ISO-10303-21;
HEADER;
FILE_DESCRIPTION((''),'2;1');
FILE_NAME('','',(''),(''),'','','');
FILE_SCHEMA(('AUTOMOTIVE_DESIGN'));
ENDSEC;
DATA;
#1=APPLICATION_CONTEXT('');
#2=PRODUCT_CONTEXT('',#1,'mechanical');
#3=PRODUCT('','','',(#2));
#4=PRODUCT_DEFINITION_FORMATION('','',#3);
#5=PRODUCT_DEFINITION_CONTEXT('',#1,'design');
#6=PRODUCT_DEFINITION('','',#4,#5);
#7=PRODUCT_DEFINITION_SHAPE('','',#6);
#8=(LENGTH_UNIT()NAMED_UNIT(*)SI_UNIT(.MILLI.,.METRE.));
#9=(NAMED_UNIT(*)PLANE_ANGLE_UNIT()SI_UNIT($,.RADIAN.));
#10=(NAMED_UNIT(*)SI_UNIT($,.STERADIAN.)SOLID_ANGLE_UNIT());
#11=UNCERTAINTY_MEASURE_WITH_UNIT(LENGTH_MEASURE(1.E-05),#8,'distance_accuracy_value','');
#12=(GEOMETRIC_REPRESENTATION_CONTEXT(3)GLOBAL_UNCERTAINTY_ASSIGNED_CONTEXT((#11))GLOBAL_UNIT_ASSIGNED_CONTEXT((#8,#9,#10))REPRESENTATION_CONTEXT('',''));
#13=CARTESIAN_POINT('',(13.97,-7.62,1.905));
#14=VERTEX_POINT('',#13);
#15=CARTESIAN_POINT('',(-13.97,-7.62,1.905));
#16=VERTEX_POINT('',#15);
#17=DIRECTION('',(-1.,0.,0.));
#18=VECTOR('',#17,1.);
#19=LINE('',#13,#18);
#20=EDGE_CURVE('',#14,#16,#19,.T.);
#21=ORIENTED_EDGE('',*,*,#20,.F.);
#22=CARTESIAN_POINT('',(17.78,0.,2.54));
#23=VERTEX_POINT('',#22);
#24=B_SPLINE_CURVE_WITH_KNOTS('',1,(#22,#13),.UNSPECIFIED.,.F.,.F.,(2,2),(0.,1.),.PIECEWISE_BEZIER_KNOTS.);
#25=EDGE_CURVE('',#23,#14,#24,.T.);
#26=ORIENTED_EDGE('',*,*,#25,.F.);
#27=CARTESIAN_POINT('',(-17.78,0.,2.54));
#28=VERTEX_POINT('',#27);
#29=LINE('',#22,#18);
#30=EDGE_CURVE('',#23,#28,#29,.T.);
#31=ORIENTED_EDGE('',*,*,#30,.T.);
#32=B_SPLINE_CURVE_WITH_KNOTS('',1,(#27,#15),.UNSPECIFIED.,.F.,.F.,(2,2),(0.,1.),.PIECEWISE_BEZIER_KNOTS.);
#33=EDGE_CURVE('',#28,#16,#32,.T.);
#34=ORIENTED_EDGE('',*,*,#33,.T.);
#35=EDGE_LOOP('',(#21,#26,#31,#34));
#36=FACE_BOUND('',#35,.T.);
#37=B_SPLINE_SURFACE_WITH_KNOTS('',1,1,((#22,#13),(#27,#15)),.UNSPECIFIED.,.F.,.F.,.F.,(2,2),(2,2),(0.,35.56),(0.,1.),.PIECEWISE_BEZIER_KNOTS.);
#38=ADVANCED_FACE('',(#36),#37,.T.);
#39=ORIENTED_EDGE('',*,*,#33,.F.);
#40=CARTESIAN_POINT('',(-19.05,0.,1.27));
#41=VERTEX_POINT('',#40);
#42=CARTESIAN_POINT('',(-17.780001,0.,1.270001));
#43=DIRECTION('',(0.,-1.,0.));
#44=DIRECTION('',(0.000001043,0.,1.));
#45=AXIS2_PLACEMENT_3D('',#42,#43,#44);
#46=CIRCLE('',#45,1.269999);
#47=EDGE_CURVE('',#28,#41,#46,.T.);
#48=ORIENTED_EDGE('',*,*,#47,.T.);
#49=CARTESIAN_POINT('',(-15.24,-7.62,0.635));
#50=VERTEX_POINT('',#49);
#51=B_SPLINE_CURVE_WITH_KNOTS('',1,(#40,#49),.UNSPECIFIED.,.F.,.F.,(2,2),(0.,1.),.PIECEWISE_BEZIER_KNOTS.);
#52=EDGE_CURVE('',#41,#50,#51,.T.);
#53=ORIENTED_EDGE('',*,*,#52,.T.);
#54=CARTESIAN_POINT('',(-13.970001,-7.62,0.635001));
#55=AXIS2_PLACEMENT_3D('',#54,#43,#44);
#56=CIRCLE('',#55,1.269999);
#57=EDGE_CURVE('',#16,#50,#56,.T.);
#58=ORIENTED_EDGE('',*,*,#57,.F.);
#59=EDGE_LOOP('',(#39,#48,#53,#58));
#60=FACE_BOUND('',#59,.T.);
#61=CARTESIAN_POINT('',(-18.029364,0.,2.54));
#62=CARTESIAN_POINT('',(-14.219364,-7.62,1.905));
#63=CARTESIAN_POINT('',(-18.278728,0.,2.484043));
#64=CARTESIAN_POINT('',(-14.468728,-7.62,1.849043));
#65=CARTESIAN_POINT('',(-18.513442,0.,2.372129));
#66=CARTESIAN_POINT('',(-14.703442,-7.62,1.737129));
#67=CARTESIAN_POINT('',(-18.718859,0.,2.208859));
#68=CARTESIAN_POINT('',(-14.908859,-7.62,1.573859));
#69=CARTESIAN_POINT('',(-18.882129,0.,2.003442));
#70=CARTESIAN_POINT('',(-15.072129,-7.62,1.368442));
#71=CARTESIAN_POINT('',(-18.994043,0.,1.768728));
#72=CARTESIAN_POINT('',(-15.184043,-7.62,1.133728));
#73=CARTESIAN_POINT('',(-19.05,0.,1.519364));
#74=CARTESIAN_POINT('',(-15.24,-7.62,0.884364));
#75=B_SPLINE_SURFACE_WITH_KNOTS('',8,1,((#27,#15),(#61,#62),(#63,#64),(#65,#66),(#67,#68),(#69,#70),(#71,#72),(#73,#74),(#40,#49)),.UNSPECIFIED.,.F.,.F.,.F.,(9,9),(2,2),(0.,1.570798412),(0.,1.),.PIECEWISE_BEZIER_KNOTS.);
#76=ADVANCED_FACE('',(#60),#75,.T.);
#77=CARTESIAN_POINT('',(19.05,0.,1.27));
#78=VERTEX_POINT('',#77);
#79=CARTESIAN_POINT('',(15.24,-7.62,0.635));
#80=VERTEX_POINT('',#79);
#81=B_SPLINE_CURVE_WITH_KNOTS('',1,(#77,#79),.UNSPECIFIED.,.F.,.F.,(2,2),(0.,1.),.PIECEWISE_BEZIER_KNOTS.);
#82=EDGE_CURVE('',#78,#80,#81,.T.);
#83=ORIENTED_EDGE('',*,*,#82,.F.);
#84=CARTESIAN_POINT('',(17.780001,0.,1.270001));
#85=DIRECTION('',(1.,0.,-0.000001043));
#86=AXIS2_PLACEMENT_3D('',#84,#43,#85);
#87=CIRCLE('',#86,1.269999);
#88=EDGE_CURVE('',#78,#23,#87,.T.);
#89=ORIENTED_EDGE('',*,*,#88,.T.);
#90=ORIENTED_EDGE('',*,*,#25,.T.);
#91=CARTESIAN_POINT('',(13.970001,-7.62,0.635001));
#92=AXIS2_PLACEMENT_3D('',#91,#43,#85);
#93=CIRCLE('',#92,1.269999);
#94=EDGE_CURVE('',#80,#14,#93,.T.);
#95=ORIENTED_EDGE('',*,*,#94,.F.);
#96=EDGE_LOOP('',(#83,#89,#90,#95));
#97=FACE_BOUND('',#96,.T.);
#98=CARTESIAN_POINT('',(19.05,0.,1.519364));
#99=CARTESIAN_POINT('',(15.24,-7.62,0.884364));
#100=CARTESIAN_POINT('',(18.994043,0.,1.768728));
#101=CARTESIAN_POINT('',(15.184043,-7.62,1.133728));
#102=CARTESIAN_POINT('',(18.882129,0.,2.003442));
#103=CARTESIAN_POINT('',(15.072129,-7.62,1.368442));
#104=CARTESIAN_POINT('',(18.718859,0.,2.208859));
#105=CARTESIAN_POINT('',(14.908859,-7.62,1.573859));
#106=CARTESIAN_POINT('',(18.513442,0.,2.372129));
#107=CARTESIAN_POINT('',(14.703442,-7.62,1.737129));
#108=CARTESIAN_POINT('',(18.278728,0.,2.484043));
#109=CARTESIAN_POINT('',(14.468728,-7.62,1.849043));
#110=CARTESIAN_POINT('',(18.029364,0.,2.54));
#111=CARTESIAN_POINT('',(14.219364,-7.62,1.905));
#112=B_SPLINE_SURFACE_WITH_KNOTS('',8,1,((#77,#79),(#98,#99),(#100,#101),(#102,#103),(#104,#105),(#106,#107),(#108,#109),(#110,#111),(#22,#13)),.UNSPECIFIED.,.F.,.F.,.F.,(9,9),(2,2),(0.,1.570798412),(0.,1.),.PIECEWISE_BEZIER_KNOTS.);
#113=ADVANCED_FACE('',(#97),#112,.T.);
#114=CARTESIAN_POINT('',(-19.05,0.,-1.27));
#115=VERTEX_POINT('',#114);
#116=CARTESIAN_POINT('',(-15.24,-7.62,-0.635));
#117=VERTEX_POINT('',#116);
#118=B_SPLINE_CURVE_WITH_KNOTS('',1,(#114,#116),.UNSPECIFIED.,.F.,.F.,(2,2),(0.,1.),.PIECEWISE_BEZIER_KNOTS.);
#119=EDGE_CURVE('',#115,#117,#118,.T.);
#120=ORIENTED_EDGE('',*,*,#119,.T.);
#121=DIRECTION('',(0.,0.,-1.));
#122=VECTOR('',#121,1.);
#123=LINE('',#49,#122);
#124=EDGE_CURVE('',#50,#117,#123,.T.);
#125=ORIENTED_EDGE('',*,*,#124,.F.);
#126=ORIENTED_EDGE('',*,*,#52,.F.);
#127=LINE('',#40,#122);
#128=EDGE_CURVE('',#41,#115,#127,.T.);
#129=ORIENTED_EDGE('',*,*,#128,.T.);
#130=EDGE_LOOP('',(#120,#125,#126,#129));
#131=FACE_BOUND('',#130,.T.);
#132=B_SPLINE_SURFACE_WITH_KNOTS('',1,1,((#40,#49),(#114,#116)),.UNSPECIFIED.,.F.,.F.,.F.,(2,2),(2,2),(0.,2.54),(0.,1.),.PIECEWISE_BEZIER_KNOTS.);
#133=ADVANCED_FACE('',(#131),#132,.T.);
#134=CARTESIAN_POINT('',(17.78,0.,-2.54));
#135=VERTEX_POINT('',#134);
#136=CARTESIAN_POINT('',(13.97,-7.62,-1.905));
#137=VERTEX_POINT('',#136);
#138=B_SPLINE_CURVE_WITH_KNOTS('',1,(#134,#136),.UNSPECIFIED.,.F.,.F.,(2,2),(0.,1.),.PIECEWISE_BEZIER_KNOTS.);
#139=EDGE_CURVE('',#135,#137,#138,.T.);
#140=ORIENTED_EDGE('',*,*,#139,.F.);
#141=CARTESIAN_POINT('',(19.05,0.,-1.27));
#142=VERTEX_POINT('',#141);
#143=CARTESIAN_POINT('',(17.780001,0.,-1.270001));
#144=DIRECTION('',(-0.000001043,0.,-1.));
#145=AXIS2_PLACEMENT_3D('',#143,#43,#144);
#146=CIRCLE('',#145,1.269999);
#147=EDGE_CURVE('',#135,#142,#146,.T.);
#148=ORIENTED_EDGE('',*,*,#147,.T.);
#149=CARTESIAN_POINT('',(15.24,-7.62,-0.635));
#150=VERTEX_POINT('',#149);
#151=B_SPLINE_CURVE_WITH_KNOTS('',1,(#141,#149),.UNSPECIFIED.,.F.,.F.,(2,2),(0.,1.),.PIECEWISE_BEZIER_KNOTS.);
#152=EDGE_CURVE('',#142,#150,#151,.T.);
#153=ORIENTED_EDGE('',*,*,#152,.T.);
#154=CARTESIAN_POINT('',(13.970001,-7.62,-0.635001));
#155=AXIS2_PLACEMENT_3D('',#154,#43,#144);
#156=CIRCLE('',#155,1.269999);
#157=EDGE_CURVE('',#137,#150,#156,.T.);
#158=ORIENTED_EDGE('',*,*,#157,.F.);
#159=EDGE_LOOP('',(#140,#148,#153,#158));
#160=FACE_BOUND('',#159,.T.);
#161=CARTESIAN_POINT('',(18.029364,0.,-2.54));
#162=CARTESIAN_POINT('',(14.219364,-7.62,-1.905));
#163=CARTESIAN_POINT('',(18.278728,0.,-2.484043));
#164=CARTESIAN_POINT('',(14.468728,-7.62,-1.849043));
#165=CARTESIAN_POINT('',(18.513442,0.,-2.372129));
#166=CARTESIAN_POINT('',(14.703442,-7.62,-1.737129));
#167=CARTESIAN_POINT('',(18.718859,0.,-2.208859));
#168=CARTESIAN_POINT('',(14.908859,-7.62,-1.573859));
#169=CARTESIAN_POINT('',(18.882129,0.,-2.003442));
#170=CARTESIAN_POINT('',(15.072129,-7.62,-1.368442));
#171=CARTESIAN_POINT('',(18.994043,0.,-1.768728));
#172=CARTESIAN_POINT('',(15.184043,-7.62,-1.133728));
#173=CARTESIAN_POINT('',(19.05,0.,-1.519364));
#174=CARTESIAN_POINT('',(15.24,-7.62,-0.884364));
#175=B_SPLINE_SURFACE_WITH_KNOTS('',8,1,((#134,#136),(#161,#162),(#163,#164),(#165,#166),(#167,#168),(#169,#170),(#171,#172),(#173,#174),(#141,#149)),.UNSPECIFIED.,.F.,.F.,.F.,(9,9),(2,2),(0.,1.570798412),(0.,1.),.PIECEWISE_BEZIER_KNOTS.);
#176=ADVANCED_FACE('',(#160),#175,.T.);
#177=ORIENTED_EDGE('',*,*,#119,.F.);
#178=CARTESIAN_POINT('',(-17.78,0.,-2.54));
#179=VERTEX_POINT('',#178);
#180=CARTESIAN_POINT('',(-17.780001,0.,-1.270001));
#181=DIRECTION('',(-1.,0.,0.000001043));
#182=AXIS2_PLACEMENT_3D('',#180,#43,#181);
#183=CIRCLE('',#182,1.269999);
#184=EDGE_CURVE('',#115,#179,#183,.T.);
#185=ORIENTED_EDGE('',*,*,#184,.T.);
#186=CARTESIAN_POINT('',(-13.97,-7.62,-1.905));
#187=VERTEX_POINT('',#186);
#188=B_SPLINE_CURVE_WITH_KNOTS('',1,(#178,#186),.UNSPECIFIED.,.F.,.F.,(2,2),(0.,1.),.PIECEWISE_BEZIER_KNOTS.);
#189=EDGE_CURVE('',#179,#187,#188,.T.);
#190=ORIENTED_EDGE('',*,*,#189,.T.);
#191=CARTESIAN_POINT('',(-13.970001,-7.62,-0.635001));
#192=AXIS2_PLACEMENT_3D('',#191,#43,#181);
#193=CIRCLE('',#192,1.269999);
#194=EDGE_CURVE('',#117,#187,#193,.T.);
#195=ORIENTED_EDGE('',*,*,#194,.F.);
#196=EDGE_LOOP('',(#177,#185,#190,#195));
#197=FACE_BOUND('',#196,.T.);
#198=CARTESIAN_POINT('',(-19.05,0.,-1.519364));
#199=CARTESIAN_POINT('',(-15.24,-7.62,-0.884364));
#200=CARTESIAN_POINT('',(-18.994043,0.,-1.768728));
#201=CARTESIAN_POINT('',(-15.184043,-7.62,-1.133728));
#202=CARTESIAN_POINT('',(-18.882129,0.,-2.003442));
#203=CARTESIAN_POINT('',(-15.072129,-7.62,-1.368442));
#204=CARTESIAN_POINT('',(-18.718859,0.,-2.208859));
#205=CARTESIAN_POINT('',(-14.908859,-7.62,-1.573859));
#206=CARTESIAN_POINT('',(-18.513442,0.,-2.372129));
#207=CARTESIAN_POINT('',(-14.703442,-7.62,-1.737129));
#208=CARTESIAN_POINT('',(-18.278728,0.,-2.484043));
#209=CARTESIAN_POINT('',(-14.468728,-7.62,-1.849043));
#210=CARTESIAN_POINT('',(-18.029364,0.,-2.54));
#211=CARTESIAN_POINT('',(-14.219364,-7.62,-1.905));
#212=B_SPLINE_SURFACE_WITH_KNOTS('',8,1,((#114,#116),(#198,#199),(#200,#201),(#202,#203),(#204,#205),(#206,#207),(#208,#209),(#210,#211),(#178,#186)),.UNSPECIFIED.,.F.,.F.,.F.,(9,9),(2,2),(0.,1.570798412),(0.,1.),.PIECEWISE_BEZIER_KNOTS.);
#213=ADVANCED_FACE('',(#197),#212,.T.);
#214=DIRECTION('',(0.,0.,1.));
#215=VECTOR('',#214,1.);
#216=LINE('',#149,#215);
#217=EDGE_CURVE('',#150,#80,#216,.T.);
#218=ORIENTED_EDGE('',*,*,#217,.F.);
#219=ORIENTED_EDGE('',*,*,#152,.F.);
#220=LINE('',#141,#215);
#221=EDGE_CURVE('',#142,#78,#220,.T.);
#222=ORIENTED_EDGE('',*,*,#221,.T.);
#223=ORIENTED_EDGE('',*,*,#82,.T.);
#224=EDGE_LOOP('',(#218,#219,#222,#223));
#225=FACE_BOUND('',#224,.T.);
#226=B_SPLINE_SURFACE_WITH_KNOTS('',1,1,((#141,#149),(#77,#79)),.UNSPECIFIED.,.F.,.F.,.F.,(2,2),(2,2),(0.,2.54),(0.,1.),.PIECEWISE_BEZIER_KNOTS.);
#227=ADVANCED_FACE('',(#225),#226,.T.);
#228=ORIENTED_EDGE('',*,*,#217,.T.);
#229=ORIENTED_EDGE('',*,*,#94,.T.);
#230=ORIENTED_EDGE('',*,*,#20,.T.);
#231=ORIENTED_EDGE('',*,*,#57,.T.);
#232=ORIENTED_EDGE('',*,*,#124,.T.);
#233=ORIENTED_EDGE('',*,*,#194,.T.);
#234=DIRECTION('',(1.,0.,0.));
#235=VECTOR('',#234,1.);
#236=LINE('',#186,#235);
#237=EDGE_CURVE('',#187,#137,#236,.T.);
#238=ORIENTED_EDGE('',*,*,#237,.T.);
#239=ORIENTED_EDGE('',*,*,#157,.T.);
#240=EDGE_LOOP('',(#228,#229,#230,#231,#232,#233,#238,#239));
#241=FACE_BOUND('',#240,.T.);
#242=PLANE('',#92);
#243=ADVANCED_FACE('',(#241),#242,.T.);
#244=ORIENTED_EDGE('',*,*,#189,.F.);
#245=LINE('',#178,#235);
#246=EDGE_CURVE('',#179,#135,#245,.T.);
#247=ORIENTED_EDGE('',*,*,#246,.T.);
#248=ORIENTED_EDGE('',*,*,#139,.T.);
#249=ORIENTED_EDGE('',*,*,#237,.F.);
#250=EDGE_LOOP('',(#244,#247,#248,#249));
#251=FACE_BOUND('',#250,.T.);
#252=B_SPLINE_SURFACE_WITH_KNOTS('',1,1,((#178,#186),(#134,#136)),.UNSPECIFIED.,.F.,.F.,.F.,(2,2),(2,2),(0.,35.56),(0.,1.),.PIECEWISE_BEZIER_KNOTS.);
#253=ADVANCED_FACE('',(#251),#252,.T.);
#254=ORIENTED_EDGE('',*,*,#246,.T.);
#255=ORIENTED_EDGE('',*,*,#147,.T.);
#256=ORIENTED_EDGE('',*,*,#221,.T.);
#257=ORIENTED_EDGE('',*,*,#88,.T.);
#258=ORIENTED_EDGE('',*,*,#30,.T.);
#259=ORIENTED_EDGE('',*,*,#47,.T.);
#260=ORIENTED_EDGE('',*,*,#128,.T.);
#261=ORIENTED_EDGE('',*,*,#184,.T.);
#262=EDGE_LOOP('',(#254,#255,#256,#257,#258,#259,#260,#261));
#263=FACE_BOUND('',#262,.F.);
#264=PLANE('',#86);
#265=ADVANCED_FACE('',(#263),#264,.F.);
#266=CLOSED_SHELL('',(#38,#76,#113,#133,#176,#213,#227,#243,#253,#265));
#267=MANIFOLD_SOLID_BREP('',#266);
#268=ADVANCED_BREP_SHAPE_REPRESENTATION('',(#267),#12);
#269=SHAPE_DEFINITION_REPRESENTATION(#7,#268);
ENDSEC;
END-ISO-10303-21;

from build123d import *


with BuildPart() as f3:
    # F0 (on Front) → F3 section 0
    with BuildSketch(Plane.XZ):
        with BuildLine():
            ThreePointArc((19.05, 1.27), (18.678026, 2.168026), (17.78, 2.54))
            Line((17.78, 2.54), (-17.78, 2.54))
            ThreePointArc((-17.78, 2.54), (-18.678026, 2.168026), (-19.05, 1.27))
            Line((-19.05, 1.27), (-19.05, -1.27))
            ThreePointArc((-19.05, -1.27), (-18.678026, -2.168026), (-17.78, -2.54))
            Line((-17.78, -2.54), (17.78, -2.54))
            ThreePointArc((17.78, -2.54), (18.678026, -2.168026), (19.05, -1.27))
            Line((19.05, -1.27), (19.05, 1.27))
        make_face()
    # F2 (on offset) → F3 section 1
    with BuildSketch(Plane.XZ.offset(7.62)):
        with BuildLine():
            ThreePointArc((15.24, 0.635), (14.868026, 1.533026), (13.97, 1.905))
            Line((13.97, 1.905), (-13.97, 1.905))
            ThreePointArc((-13.97, 1.905), (-14.868026, 1.533026), (-15.24, 0.635))
            Line((-15.24, 0.635), (-15.24, -0.635))
            ThreePointArc((-15.24, -0.635), (-14.868026, -1.533026), (-13.97, -1.905))
            Line((-13.97, -1.905), (13.97, -1.905))
            ThreePointArc((13.97, -1.905), (14.868026, -1.533026), (15.24, -0.635))
            Line((15.24, -0.635), (15.24, 0.635))
        make_face()
    loft()


solid = f3.part
